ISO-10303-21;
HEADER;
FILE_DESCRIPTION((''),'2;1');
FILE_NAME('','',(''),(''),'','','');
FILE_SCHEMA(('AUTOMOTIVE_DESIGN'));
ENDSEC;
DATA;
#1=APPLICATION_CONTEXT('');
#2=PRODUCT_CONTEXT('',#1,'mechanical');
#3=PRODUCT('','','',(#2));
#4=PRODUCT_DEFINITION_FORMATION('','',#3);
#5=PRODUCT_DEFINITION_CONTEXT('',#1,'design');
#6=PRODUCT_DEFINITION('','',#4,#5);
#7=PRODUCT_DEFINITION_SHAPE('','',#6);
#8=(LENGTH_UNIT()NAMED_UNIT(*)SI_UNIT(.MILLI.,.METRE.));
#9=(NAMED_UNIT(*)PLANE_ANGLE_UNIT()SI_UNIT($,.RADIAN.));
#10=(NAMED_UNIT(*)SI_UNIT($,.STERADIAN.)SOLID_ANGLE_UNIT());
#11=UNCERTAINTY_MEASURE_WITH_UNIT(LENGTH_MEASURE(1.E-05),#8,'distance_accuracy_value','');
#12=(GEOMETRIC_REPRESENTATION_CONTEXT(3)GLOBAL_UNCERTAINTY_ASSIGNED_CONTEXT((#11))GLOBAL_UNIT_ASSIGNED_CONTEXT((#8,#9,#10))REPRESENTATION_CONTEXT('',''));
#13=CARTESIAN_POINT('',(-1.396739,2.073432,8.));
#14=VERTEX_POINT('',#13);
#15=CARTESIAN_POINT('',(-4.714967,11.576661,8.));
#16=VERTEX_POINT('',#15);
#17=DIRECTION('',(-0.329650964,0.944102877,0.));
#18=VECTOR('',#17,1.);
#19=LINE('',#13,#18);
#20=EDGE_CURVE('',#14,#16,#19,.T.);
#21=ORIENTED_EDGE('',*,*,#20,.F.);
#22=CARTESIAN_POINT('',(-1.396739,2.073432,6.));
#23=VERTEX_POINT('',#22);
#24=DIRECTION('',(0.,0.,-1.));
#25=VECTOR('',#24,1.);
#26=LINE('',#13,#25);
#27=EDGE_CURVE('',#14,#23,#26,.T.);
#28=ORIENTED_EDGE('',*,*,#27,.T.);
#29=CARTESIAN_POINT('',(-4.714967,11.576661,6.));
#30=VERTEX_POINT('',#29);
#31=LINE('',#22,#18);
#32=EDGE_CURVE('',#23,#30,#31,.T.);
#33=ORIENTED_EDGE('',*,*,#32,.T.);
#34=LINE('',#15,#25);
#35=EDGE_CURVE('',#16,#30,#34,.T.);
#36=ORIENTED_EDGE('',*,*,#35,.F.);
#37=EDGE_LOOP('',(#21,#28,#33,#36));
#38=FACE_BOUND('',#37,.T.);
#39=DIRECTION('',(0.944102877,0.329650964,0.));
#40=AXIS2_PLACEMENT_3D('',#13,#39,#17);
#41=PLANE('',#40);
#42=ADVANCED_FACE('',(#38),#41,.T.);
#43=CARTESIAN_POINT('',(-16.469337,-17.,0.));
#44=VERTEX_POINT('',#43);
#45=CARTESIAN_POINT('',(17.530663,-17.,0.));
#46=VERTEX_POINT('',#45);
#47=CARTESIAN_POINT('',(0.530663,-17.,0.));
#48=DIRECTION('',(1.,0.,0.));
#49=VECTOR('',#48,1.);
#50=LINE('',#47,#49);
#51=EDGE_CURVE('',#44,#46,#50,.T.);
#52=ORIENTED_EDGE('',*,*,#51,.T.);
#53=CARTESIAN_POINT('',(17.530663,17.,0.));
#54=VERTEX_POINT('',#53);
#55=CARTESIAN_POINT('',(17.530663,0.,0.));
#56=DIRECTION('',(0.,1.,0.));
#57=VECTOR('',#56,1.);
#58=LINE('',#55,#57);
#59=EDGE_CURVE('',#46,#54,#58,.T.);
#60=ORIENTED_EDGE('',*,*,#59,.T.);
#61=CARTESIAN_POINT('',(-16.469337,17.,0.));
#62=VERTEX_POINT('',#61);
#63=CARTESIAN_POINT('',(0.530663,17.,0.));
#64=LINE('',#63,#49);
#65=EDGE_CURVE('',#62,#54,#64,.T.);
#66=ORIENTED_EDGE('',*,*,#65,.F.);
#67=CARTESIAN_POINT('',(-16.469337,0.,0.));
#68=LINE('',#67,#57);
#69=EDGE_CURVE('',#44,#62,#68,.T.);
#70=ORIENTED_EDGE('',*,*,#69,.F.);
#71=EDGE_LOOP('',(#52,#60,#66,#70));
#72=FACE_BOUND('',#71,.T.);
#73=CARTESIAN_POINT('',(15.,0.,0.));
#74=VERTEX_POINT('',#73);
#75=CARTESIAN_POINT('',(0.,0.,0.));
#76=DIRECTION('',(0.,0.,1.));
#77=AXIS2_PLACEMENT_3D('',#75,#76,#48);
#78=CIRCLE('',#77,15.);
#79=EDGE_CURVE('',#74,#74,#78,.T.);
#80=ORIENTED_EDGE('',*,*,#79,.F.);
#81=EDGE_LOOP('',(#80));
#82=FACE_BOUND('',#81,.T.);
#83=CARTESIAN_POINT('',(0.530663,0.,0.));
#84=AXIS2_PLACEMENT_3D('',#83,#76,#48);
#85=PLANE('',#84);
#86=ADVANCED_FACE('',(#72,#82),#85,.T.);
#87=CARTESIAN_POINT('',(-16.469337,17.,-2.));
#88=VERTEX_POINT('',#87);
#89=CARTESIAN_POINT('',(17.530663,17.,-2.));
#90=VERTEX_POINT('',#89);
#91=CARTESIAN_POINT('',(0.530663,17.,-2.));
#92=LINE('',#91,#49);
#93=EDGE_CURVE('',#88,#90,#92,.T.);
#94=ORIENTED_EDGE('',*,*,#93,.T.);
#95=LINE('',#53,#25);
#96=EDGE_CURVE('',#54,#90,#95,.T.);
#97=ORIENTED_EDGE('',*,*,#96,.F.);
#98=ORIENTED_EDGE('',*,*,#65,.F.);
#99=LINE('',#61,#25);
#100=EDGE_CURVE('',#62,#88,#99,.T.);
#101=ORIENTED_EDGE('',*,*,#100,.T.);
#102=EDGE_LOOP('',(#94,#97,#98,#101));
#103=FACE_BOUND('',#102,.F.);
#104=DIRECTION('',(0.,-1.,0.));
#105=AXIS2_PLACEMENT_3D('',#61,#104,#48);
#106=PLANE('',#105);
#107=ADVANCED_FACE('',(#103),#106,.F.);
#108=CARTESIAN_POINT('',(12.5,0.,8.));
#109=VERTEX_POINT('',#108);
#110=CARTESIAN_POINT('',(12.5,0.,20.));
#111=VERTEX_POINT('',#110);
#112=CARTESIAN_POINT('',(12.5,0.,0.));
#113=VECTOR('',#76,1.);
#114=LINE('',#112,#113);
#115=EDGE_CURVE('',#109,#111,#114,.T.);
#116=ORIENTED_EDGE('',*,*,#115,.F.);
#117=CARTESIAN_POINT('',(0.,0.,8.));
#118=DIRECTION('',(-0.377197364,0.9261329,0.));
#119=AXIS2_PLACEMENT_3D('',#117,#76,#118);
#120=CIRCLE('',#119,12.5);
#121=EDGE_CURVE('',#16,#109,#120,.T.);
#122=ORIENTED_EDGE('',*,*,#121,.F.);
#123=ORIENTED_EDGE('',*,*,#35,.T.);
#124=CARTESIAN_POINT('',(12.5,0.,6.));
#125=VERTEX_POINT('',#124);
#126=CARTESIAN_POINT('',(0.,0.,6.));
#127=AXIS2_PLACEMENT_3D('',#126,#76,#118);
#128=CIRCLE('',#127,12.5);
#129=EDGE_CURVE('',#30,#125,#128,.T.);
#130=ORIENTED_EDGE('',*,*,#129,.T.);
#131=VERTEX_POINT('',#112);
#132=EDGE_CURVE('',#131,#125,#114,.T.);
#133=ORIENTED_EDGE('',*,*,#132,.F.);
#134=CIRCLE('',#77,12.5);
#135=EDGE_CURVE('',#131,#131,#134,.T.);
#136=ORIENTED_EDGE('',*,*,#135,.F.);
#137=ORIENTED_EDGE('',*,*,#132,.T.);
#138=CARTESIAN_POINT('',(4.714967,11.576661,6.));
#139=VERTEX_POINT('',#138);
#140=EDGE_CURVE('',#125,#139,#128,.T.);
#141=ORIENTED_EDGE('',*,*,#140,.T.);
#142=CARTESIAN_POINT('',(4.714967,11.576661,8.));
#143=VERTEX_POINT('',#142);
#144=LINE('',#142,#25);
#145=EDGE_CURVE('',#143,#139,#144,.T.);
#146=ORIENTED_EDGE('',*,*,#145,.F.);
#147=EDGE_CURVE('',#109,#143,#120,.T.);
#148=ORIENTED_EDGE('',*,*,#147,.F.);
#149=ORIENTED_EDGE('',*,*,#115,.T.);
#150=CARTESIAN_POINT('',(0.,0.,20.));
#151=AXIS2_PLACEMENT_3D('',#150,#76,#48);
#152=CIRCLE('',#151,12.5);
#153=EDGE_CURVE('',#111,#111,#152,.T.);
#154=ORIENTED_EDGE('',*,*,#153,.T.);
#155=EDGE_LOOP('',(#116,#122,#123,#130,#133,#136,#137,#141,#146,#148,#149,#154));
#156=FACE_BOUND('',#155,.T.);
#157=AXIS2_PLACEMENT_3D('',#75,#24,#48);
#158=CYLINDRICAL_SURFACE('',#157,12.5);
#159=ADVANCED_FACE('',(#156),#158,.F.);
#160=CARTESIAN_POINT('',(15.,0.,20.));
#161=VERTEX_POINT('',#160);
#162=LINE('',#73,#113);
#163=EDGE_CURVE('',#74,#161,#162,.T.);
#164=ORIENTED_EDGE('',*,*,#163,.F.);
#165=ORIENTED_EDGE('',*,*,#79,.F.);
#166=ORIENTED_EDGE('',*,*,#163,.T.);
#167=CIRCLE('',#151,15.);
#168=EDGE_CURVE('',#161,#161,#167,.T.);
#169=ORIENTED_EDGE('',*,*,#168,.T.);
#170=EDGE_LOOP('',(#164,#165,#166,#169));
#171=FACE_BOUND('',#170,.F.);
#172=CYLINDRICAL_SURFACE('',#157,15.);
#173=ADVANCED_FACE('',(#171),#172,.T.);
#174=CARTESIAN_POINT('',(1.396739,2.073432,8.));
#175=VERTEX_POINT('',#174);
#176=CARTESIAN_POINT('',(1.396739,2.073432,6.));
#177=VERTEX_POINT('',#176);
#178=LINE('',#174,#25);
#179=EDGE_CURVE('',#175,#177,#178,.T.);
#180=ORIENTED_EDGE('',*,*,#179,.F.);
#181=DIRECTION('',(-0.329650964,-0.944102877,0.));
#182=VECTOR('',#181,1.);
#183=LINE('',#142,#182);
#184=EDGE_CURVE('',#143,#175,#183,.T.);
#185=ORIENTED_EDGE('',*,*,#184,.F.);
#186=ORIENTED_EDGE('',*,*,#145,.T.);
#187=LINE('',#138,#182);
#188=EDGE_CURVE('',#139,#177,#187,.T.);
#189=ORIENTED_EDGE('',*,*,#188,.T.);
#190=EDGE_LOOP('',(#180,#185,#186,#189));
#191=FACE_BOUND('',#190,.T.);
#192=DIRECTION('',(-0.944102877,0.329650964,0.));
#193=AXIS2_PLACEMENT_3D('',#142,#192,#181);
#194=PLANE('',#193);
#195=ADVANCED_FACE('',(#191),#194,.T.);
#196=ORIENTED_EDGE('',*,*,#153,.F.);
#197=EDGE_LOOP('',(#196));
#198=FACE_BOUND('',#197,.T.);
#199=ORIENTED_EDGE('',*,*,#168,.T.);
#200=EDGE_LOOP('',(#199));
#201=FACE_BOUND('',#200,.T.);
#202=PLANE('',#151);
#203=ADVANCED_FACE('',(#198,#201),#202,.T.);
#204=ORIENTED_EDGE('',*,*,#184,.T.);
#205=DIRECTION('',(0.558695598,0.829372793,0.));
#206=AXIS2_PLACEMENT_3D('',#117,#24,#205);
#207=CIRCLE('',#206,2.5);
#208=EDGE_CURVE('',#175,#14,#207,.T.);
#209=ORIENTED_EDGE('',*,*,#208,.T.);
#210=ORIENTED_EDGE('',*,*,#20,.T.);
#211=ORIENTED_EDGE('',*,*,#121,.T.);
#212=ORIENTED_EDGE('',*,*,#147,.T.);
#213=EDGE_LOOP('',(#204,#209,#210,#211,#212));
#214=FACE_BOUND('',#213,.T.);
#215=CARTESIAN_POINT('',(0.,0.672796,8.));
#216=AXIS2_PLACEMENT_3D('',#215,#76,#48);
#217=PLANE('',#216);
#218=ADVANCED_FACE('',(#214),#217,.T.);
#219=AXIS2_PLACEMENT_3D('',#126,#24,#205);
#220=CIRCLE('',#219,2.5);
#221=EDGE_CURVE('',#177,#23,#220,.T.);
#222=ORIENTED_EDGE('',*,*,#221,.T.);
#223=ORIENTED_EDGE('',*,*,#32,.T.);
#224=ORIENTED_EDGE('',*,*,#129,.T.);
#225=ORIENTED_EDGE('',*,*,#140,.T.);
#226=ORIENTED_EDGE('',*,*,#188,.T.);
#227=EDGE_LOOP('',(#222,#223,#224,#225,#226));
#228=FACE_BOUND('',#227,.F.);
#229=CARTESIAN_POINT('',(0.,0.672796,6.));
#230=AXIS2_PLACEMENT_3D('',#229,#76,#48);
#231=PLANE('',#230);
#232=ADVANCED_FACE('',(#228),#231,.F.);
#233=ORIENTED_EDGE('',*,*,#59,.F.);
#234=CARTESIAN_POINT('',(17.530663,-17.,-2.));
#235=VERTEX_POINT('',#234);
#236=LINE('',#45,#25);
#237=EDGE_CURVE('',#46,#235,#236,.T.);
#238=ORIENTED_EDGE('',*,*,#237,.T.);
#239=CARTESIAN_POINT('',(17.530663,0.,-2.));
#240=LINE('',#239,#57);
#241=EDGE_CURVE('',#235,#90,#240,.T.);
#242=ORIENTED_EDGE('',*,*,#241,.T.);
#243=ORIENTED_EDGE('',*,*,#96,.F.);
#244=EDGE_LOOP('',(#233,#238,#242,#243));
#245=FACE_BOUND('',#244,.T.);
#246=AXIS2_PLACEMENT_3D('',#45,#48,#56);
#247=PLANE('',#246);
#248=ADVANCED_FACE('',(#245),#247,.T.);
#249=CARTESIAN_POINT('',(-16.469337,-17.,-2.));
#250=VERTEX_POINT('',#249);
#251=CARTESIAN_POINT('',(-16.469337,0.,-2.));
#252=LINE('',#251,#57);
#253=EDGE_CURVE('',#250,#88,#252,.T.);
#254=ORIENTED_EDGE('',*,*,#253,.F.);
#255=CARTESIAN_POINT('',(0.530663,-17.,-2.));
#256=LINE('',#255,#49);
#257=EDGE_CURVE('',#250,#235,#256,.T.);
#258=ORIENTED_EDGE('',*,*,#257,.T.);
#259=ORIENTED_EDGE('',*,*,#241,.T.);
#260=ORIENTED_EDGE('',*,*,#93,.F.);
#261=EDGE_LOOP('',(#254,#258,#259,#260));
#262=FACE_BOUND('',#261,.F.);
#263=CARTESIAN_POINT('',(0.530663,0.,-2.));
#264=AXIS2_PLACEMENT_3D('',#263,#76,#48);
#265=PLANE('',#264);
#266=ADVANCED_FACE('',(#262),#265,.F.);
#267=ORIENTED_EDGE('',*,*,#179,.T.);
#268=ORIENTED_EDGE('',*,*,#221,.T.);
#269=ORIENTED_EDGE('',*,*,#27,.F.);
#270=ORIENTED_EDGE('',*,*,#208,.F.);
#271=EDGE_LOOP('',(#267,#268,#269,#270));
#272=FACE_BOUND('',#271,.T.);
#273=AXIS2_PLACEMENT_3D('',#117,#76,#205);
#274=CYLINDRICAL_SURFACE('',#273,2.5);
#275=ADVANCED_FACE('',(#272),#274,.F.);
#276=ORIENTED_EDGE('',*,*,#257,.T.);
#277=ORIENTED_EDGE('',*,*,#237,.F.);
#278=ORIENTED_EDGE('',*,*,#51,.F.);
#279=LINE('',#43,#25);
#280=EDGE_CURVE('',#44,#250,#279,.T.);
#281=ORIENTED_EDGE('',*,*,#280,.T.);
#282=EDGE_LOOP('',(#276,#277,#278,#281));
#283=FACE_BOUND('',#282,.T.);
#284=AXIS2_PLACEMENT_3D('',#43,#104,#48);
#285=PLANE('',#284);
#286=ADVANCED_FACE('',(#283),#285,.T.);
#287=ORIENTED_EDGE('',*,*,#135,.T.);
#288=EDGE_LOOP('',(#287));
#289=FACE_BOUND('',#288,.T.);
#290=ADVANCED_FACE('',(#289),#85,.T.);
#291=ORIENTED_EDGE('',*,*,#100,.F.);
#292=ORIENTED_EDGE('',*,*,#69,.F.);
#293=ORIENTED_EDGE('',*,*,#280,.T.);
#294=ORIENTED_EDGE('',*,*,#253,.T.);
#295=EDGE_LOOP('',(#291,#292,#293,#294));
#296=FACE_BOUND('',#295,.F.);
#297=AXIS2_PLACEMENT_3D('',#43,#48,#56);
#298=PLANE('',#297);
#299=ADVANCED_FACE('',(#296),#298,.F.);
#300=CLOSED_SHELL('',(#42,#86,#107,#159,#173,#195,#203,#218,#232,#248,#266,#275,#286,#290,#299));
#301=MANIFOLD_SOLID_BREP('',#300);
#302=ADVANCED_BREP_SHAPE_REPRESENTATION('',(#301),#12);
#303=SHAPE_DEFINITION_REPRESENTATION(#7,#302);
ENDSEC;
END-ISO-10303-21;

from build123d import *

# Parameters (mm, degrees)
F0_R     = 15
F0_R_2   = 12.5
F1_DEPTH = 20
F4_DEPTH = 2
F5_W     = 34
F5_H     = 34
F6_DEPTH = 2


with BuildPart() as f1:
    # F0 (on Top) → F1 (new body)
    with BuildSketch(Plane.XY):
        Circle(F0_R)
        Circle(F0_R_2, mode=Mode.SUBTRACT)
    extrude(amount=F1_DEPTH)

    # F3 (on offset) → F4 (join)
    with BuildSketch(Plane.XY.offset(8)):
        with BuildLine():
            ThreePointArc((1.396739, 2.073432), (0, -2.5), (-1.396739, 2.073432))
            Line((-1.396739, 2.073432), (-4.714967, 11.576661))
            ThreePointArc((-4.714967, 11.576661), (0, -12.5), (4.714967, 11.576661))
            Line((4.714967, 11.576661), (1.396739, 2.073432))
        make_face()
    extrude(amount=-F4_DEPTH)

    # F5 (on Top) → F6 (join)
    with BuildSketch(Plane.XY):
        with Locations((0.530663, 0)):
            Rectangle(F5_W, F5_H)
    extrude(amount=-F6_DEPTH)


solid = f1.part
